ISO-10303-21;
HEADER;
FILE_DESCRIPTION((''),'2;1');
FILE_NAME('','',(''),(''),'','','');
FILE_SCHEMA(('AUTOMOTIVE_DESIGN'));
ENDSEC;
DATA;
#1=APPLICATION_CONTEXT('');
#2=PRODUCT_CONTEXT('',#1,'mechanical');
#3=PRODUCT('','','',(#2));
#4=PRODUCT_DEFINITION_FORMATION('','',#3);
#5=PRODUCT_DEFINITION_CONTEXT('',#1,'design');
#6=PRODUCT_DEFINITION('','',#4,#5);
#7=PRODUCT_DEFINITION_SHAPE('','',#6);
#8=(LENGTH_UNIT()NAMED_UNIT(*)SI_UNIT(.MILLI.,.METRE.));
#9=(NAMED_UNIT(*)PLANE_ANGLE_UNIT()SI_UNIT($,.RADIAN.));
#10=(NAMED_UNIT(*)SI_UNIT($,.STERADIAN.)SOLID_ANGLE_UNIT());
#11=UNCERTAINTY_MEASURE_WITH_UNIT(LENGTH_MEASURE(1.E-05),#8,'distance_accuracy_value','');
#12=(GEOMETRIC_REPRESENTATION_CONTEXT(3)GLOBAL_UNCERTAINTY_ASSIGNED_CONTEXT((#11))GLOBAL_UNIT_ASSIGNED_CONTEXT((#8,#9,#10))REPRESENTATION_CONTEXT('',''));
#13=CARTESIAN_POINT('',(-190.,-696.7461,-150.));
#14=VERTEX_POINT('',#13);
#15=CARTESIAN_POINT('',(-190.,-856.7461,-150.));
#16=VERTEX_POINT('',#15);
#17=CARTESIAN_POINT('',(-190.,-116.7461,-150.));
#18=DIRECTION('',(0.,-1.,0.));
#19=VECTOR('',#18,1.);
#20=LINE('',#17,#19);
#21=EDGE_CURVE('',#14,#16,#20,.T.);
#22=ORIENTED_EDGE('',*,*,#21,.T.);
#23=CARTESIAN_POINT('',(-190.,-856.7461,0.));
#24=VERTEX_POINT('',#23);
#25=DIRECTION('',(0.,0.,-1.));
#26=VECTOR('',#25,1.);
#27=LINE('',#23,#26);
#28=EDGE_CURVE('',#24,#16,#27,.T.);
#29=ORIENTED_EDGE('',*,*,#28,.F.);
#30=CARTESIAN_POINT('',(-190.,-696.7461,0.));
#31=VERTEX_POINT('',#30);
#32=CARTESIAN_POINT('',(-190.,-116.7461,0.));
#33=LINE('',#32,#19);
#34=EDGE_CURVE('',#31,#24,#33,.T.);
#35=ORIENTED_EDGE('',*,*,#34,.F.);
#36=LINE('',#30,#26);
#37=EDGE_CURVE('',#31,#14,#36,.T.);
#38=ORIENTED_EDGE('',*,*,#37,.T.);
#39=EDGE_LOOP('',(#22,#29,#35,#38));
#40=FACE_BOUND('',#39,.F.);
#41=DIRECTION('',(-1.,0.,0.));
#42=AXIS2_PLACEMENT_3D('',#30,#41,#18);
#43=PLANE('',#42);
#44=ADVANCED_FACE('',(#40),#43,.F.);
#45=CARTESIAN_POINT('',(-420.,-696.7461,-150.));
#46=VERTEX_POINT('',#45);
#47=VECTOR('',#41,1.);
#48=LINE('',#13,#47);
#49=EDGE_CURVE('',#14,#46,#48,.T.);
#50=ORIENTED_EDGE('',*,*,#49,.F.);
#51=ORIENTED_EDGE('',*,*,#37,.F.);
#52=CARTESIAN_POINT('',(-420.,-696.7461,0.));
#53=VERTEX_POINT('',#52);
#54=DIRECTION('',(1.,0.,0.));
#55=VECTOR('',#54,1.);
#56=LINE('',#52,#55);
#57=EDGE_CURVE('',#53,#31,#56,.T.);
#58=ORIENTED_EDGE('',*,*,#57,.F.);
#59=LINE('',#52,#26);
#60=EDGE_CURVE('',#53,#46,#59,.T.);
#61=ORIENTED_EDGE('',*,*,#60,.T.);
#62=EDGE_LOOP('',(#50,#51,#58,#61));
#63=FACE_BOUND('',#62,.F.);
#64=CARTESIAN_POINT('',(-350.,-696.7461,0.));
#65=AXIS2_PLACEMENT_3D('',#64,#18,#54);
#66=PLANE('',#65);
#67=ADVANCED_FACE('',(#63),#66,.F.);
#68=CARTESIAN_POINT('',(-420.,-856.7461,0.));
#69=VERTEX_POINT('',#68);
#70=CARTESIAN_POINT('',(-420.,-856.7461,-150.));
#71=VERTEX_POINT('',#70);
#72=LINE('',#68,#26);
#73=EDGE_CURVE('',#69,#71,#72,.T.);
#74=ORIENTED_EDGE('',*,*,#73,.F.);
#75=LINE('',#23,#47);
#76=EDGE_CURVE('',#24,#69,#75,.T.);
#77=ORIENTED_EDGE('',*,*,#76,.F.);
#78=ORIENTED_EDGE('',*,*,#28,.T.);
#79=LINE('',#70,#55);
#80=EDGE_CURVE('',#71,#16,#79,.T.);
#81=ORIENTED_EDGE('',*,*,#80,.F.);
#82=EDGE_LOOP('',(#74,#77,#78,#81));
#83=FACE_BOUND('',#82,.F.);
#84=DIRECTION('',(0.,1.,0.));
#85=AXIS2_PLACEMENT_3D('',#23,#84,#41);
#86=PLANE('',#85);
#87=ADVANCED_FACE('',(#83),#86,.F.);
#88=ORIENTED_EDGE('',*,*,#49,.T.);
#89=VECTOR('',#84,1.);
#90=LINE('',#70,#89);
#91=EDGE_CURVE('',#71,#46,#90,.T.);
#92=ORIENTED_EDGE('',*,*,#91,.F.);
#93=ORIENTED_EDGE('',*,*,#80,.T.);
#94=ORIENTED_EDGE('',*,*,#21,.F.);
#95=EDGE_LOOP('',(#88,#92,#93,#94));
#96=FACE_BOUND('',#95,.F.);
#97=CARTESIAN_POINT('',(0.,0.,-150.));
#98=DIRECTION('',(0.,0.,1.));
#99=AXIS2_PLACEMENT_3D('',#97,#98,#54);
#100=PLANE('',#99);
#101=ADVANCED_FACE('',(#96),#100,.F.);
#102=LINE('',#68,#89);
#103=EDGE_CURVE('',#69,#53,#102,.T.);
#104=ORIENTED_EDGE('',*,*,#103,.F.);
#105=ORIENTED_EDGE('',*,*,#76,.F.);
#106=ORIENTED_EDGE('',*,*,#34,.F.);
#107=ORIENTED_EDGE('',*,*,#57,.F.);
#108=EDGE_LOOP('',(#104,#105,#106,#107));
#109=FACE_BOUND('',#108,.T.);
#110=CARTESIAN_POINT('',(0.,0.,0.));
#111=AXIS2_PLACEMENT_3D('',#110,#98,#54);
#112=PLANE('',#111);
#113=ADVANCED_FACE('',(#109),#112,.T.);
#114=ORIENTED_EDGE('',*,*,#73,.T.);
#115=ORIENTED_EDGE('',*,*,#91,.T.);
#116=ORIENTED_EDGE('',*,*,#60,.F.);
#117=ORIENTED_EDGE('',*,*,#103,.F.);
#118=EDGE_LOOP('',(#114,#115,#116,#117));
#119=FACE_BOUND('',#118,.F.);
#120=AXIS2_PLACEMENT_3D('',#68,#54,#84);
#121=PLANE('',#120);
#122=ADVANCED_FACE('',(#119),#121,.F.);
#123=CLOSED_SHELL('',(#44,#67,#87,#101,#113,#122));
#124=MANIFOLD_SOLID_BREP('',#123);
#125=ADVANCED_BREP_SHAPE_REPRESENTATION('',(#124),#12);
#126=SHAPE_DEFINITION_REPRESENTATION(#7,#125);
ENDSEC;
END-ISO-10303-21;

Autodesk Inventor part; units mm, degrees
ref_plane "YZ Plane" through (0, 0, 0) normal (1, 0, 0) x (0, 1, 0)
ref_plane "XZ Plane" through (0, 0, 0) normal (0, 1, 0) x (-1, 0, 0)
ref_plane "XY Plane" through (0, 0, 0) normal (0, 0, 1) x (1, 0, 0)
sketch "Sketch1" plane through (0, 0, 0) normal (0, 0, 1) x (1, 0, 0)
  line L0 (-190, -896.7461) -> (-190, -1116.7461) projected
  line L1 (-190, -1116.7461) -> (-710, -1116.7461) projected
  line L2 (-710, -1116.7461) -> (-710, -896.7461) projected
  line L3 (-710, -896.7461) -> (-190, -896.7461) projected
  line L4 (-150, -156.7461) -> (110, -156.7461) projected
  line L5 (110, -156.7461) -> (110, -116.7461) projected
  line L6 (110, -116.7461) -> (-190, -116.7461) projected
  line L7 (-190, -116.7461) -> (-190, -856.7461) projected
  line L8 (-190, -856.7461) -> (-710, -856.7461) projected
  line L9 (-710, -856.7461) -> (-710, 96.4387) projected
  arc A0 (-710, 96.4387) -> (-1045.8135, 243.2539) centre (-910, 96.4387) ccw projected
  line L10 (-1045.8135, 243.2539) -> (-1018.6508, 213.8908) projected
  arc A1 (-750, 96.4387) -> (-1018.6508, 213.8908) centre (-910, 96.4387) ccw projected
  line L11 (-750, 96.4387) -> (-750, -1156.7461) projected
  line L12 (-750, -1156.7461) -> (-150, -1156.7461) projected
  line L13 (-150, -1156.7461) -> (-150, -156.7461) projected
  circle A2 centre (-270, -776.7461) radius 6 projected
  line L14 (-350, -856.7461) -> (-190, -856.7461) projected
  line L15 (-190, -856.7461) -> (-190, -696.7461) projected
  line L16 (-350, -696.7461) -> (-190, -696.7461) projected
  line L17 (-350, -856.7461) -> (-350, -696.7461) projected
  line L18 (-190, -856.7461) -> (-420, -856.7461)
  line L19 (-420, -856.7461) -> (-420, -696.7461)
  line L20 (-420, -696.7461) -> (-190, -696.7461)
  line L21 (-190, -696.7461) -> (-190, -856.7461)
  point P0 (0, 0)
  dimension "d0" = 230
extrude "Extrusion1" add sketch "Sketch1" against normal blind 150 contours L7 L8 L17 L16 | L17 L8 L19 L20 | A2
properties part number "winch"
